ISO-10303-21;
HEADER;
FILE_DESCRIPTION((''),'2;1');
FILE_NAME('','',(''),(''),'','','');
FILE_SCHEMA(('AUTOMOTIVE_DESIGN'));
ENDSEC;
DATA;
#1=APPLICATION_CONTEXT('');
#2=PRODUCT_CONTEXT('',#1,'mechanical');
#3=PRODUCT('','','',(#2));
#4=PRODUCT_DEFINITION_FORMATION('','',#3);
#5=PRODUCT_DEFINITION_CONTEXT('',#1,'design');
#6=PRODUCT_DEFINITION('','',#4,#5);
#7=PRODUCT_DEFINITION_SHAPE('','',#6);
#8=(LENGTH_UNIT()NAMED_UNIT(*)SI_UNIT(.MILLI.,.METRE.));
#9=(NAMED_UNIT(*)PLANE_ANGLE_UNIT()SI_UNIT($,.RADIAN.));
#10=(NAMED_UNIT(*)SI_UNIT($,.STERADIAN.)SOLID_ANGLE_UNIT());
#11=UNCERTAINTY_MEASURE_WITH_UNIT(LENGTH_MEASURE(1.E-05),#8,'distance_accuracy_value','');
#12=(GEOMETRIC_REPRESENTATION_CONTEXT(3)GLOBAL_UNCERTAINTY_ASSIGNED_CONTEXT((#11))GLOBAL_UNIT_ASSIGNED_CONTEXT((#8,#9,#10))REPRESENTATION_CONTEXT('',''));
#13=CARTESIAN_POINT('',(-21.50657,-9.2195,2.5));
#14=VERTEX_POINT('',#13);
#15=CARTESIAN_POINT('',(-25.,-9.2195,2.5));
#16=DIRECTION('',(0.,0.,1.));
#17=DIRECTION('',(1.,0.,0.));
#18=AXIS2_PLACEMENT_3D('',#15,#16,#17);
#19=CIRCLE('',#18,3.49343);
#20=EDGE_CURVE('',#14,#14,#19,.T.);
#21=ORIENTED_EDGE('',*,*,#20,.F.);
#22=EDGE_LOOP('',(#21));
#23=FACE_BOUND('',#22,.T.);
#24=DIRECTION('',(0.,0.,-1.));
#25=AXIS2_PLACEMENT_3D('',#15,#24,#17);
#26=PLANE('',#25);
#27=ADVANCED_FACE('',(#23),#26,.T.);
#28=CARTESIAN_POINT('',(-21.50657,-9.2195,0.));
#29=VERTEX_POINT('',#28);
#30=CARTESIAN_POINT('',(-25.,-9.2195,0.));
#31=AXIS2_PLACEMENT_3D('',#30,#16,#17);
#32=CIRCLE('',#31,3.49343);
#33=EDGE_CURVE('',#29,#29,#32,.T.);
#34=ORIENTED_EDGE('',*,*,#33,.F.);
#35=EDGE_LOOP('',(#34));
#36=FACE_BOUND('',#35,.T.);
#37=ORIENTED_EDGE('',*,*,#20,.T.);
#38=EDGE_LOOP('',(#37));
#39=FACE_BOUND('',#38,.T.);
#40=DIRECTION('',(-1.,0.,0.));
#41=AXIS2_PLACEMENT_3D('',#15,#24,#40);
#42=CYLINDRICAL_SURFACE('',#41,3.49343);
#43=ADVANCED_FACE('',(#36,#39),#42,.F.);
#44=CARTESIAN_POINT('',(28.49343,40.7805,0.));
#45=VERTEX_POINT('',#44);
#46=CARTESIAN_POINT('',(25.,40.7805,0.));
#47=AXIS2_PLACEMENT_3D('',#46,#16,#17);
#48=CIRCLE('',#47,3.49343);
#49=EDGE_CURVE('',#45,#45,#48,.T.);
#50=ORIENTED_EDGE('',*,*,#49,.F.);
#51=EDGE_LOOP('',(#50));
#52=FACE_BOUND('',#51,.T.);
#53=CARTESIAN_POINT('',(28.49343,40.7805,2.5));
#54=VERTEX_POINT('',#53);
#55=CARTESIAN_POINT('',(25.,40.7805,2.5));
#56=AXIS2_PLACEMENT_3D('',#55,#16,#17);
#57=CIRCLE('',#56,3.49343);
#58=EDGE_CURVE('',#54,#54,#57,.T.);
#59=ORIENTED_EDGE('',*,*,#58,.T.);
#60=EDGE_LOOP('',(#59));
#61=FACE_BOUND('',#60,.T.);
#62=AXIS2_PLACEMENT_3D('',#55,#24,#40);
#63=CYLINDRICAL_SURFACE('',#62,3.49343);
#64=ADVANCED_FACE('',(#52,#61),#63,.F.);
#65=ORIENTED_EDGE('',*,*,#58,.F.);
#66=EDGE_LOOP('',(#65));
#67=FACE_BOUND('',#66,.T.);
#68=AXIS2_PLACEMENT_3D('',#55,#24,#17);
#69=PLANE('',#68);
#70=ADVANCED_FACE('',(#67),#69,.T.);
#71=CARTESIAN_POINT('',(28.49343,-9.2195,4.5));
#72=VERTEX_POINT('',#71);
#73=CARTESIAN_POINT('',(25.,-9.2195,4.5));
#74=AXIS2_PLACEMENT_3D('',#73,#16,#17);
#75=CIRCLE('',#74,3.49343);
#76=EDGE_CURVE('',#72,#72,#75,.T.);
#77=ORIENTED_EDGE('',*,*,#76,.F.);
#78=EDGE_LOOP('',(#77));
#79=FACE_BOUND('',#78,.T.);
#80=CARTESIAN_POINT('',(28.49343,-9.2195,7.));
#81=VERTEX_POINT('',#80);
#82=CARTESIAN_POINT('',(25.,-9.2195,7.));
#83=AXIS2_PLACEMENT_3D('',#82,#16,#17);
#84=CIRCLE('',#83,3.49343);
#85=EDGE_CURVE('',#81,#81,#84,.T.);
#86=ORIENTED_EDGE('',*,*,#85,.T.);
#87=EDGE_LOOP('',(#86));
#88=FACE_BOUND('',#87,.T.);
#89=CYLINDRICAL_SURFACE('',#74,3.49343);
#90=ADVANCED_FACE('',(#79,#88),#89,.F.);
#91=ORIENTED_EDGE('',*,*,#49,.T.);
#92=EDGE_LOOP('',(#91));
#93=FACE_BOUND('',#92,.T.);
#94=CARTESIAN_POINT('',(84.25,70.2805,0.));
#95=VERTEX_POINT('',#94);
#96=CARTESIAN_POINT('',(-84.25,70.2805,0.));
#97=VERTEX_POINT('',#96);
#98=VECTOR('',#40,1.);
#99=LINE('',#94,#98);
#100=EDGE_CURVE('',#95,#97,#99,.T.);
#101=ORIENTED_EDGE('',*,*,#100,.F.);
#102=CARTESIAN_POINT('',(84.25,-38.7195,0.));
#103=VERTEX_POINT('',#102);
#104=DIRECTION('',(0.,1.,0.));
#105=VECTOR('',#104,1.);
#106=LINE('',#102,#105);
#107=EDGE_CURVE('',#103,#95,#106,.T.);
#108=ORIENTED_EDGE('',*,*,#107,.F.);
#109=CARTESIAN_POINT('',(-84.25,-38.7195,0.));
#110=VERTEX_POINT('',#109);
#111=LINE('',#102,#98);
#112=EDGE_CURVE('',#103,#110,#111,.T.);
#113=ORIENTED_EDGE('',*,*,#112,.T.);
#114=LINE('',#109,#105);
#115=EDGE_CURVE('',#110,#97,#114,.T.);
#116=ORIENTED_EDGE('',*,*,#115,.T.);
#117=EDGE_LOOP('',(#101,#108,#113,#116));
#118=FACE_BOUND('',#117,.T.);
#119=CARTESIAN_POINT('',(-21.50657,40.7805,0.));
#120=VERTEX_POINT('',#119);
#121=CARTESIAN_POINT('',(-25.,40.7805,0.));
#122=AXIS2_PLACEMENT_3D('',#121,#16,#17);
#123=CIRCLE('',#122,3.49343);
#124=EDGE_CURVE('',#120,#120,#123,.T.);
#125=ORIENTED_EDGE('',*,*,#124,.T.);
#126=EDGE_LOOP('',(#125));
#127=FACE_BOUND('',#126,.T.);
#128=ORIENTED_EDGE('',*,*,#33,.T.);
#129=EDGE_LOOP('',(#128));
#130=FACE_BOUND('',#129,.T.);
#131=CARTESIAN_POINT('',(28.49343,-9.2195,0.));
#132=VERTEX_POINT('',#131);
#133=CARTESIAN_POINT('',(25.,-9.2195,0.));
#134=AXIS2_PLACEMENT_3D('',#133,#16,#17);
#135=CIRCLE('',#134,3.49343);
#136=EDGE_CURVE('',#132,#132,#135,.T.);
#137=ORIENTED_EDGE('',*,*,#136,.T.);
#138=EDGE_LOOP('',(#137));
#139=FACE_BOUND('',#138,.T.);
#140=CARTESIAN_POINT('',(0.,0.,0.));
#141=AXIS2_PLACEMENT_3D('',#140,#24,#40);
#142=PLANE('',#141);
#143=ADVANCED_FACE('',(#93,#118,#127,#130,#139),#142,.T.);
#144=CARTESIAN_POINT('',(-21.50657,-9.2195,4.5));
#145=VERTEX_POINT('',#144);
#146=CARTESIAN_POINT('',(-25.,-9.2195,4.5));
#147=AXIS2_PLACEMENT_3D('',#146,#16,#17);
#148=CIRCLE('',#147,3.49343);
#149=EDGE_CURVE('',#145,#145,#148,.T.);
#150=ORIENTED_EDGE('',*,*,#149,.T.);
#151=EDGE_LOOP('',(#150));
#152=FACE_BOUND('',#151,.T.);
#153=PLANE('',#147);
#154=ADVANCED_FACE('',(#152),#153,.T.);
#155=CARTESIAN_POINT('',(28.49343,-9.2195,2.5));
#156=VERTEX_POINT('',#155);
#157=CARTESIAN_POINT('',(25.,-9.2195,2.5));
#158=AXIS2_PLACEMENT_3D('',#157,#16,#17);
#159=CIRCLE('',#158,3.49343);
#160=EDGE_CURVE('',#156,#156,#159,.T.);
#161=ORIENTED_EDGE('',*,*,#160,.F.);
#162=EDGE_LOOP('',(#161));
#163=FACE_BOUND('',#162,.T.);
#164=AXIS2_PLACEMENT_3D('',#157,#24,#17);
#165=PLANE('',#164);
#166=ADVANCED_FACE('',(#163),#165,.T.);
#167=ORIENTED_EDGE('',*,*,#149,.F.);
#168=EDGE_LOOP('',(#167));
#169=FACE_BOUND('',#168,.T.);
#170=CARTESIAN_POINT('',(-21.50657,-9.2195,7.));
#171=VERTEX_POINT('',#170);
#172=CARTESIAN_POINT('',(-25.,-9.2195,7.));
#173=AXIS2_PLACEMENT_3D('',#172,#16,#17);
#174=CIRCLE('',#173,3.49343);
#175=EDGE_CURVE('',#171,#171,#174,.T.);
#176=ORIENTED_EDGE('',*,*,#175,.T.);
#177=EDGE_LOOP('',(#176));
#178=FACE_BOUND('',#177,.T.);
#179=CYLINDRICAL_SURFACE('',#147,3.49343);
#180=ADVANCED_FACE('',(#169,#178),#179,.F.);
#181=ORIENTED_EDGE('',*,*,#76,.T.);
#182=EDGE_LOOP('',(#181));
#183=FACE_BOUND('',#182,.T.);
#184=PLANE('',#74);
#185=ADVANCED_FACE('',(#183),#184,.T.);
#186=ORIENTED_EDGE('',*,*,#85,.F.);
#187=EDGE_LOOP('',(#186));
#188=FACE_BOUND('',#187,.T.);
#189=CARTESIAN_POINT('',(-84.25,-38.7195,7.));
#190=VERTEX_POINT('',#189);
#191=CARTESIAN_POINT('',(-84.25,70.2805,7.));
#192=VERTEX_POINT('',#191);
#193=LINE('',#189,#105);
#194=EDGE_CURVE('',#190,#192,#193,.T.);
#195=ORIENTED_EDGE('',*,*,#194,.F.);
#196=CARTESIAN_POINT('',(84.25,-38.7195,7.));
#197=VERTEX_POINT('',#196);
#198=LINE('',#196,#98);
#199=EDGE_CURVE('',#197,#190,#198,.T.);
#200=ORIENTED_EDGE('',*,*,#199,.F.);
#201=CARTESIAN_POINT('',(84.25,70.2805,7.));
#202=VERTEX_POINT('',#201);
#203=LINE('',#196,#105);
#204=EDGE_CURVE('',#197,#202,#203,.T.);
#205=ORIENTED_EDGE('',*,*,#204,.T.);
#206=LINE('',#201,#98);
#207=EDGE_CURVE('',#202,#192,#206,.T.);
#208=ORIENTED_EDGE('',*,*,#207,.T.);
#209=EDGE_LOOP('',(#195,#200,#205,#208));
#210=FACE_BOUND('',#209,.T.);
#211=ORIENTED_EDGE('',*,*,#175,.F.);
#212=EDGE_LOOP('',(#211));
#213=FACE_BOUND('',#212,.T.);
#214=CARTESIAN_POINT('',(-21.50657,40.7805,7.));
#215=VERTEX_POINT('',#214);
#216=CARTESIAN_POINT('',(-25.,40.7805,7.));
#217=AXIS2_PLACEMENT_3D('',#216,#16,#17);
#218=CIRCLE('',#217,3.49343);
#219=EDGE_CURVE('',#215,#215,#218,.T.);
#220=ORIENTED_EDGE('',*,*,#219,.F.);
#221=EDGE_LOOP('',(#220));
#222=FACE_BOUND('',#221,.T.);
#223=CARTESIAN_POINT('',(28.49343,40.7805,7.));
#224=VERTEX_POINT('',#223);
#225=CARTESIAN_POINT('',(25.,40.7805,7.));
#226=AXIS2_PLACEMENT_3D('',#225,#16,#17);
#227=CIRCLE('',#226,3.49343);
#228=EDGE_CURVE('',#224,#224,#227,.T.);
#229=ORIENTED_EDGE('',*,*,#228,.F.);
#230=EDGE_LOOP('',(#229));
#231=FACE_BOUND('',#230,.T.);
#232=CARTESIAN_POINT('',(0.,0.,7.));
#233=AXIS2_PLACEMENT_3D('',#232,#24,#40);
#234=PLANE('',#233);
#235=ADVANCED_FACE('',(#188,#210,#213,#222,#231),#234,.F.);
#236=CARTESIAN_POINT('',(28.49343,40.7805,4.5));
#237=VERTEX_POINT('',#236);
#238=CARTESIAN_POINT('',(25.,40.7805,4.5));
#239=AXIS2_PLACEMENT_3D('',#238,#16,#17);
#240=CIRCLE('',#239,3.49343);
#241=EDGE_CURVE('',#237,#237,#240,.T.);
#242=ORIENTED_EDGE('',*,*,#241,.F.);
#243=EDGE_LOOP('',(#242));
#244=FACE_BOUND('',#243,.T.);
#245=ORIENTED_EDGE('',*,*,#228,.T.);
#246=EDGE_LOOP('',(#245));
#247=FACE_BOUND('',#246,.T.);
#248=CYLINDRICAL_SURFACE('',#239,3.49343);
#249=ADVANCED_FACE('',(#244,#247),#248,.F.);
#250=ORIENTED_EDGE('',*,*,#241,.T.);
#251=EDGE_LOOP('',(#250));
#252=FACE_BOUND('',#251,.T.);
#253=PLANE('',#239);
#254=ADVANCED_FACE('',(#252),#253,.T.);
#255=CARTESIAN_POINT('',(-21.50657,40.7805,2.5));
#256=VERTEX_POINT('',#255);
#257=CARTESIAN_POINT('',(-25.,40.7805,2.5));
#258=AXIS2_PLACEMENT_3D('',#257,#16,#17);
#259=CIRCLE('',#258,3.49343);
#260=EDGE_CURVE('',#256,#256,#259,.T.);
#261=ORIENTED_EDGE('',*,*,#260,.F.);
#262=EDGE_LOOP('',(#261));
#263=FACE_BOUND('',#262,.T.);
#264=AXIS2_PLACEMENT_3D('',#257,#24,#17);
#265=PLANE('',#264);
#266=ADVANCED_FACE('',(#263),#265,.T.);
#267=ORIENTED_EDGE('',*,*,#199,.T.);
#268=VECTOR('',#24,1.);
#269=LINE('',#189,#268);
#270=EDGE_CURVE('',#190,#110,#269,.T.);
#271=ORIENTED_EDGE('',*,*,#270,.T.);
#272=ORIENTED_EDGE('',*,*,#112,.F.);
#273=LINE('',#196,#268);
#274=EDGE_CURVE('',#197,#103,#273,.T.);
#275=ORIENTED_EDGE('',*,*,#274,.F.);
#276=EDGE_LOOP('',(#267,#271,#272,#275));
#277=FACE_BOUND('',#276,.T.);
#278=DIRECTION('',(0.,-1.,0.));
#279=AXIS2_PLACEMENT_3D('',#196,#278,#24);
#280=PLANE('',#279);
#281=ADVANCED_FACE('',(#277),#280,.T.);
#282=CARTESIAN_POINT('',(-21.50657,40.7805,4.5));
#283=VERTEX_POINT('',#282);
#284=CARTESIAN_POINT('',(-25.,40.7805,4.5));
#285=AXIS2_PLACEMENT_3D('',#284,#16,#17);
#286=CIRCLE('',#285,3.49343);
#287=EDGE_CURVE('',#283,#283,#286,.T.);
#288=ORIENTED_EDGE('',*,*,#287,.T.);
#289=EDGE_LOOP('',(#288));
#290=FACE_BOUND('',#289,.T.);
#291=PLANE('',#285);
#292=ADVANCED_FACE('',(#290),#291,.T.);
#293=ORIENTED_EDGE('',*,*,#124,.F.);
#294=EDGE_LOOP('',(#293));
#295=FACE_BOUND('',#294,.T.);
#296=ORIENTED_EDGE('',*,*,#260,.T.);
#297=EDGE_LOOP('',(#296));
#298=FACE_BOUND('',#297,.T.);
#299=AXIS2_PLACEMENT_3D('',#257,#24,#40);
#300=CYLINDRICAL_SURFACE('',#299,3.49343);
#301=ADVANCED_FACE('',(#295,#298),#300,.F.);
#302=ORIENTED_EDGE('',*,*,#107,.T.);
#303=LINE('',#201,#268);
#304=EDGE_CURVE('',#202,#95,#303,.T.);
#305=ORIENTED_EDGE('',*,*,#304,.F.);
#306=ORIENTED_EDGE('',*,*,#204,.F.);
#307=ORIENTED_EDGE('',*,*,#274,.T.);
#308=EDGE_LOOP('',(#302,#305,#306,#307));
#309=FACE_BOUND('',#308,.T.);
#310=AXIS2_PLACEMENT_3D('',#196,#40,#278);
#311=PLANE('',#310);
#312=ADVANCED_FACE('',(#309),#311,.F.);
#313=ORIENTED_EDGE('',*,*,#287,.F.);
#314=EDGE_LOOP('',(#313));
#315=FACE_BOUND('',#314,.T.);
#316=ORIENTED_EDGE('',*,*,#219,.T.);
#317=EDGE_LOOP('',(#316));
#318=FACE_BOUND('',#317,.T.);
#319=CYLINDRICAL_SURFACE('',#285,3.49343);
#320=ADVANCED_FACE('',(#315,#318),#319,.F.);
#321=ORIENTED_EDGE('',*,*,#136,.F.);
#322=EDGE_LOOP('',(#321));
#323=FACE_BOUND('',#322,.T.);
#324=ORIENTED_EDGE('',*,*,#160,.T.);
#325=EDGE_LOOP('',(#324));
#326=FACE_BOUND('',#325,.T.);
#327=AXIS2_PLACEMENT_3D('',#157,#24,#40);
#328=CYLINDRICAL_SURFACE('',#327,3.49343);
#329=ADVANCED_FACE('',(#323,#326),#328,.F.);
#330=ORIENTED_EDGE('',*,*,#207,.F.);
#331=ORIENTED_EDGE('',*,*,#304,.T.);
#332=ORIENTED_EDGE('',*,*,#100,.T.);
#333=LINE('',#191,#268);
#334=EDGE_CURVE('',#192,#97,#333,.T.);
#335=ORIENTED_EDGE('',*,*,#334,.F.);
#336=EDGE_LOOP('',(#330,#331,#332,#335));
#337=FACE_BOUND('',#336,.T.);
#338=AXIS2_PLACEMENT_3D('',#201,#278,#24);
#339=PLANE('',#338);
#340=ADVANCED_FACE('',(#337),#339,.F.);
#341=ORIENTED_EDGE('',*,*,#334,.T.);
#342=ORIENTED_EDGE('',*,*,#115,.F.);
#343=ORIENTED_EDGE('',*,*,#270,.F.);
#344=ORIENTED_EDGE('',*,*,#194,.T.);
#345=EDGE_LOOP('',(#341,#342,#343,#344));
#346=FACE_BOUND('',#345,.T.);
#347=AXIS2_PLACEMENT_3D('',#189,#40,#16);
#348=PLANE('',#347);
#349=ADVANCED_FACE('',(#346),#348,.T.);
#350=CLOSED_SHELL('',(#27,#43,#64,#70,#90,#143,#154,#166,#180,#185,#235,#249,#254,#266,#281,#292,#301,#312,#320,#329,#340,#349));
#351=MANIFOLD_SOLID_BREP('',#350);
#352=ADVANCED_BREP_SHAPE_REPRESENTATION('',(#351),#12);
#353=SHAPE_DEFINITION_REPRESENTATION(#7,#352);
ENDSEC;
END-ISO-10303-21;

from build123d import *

# Parameters (mm, degrees)
SKETCH1_W           = 168.5
SKETCH1_H           = 109
BOSS_EXTRUDE1_DEPTH = 7
SKETCH2_R           = 3.493429644
CUT_EXTRUDE1_DEPTH  = 2.5


with BuildPart() as part:
    # Sketch1 → Boss-Extrude1 (new body)
    with BuildSketch(Plane(origin=(0, 0, 0), x_dir=(-1, 0, 0), z_dir=(0, 0, 1))):
        with Locations((0, -15.7805)):
            Rectangle(SKETCH1_W, SKETCH1_H)
    extrude(amount=BOSS_EXTRUDE1_DEPTH)

    # Sketch2 → Cut-Extrude1 (cut)
    with BuildSketch(Plane.XY.offset(7)):
        with Locations((25, 40.7805)):
            Circle(SKETCH2_R)
        with Locations((-25, 40.7805)):
            Circle(SKETCH2_R)
        with Locations((-25, -9.2195)):
            Circle(SKETCH2_R)
        with Locations((25, -9.2195)):
            Circle(SKETCH2_R)
    cut_extrude1 = extrude(amount=-CUT_EXTRUDE1_DEPTH, mode=Mode.SUBTRACT)

    # Mirror1: Cut-Extrude1 across plane
    add(cut_extrude1.mirror(Plane.XY.offset(3.5)), mode=Mode.SUBTRACT)


solid = part.part
